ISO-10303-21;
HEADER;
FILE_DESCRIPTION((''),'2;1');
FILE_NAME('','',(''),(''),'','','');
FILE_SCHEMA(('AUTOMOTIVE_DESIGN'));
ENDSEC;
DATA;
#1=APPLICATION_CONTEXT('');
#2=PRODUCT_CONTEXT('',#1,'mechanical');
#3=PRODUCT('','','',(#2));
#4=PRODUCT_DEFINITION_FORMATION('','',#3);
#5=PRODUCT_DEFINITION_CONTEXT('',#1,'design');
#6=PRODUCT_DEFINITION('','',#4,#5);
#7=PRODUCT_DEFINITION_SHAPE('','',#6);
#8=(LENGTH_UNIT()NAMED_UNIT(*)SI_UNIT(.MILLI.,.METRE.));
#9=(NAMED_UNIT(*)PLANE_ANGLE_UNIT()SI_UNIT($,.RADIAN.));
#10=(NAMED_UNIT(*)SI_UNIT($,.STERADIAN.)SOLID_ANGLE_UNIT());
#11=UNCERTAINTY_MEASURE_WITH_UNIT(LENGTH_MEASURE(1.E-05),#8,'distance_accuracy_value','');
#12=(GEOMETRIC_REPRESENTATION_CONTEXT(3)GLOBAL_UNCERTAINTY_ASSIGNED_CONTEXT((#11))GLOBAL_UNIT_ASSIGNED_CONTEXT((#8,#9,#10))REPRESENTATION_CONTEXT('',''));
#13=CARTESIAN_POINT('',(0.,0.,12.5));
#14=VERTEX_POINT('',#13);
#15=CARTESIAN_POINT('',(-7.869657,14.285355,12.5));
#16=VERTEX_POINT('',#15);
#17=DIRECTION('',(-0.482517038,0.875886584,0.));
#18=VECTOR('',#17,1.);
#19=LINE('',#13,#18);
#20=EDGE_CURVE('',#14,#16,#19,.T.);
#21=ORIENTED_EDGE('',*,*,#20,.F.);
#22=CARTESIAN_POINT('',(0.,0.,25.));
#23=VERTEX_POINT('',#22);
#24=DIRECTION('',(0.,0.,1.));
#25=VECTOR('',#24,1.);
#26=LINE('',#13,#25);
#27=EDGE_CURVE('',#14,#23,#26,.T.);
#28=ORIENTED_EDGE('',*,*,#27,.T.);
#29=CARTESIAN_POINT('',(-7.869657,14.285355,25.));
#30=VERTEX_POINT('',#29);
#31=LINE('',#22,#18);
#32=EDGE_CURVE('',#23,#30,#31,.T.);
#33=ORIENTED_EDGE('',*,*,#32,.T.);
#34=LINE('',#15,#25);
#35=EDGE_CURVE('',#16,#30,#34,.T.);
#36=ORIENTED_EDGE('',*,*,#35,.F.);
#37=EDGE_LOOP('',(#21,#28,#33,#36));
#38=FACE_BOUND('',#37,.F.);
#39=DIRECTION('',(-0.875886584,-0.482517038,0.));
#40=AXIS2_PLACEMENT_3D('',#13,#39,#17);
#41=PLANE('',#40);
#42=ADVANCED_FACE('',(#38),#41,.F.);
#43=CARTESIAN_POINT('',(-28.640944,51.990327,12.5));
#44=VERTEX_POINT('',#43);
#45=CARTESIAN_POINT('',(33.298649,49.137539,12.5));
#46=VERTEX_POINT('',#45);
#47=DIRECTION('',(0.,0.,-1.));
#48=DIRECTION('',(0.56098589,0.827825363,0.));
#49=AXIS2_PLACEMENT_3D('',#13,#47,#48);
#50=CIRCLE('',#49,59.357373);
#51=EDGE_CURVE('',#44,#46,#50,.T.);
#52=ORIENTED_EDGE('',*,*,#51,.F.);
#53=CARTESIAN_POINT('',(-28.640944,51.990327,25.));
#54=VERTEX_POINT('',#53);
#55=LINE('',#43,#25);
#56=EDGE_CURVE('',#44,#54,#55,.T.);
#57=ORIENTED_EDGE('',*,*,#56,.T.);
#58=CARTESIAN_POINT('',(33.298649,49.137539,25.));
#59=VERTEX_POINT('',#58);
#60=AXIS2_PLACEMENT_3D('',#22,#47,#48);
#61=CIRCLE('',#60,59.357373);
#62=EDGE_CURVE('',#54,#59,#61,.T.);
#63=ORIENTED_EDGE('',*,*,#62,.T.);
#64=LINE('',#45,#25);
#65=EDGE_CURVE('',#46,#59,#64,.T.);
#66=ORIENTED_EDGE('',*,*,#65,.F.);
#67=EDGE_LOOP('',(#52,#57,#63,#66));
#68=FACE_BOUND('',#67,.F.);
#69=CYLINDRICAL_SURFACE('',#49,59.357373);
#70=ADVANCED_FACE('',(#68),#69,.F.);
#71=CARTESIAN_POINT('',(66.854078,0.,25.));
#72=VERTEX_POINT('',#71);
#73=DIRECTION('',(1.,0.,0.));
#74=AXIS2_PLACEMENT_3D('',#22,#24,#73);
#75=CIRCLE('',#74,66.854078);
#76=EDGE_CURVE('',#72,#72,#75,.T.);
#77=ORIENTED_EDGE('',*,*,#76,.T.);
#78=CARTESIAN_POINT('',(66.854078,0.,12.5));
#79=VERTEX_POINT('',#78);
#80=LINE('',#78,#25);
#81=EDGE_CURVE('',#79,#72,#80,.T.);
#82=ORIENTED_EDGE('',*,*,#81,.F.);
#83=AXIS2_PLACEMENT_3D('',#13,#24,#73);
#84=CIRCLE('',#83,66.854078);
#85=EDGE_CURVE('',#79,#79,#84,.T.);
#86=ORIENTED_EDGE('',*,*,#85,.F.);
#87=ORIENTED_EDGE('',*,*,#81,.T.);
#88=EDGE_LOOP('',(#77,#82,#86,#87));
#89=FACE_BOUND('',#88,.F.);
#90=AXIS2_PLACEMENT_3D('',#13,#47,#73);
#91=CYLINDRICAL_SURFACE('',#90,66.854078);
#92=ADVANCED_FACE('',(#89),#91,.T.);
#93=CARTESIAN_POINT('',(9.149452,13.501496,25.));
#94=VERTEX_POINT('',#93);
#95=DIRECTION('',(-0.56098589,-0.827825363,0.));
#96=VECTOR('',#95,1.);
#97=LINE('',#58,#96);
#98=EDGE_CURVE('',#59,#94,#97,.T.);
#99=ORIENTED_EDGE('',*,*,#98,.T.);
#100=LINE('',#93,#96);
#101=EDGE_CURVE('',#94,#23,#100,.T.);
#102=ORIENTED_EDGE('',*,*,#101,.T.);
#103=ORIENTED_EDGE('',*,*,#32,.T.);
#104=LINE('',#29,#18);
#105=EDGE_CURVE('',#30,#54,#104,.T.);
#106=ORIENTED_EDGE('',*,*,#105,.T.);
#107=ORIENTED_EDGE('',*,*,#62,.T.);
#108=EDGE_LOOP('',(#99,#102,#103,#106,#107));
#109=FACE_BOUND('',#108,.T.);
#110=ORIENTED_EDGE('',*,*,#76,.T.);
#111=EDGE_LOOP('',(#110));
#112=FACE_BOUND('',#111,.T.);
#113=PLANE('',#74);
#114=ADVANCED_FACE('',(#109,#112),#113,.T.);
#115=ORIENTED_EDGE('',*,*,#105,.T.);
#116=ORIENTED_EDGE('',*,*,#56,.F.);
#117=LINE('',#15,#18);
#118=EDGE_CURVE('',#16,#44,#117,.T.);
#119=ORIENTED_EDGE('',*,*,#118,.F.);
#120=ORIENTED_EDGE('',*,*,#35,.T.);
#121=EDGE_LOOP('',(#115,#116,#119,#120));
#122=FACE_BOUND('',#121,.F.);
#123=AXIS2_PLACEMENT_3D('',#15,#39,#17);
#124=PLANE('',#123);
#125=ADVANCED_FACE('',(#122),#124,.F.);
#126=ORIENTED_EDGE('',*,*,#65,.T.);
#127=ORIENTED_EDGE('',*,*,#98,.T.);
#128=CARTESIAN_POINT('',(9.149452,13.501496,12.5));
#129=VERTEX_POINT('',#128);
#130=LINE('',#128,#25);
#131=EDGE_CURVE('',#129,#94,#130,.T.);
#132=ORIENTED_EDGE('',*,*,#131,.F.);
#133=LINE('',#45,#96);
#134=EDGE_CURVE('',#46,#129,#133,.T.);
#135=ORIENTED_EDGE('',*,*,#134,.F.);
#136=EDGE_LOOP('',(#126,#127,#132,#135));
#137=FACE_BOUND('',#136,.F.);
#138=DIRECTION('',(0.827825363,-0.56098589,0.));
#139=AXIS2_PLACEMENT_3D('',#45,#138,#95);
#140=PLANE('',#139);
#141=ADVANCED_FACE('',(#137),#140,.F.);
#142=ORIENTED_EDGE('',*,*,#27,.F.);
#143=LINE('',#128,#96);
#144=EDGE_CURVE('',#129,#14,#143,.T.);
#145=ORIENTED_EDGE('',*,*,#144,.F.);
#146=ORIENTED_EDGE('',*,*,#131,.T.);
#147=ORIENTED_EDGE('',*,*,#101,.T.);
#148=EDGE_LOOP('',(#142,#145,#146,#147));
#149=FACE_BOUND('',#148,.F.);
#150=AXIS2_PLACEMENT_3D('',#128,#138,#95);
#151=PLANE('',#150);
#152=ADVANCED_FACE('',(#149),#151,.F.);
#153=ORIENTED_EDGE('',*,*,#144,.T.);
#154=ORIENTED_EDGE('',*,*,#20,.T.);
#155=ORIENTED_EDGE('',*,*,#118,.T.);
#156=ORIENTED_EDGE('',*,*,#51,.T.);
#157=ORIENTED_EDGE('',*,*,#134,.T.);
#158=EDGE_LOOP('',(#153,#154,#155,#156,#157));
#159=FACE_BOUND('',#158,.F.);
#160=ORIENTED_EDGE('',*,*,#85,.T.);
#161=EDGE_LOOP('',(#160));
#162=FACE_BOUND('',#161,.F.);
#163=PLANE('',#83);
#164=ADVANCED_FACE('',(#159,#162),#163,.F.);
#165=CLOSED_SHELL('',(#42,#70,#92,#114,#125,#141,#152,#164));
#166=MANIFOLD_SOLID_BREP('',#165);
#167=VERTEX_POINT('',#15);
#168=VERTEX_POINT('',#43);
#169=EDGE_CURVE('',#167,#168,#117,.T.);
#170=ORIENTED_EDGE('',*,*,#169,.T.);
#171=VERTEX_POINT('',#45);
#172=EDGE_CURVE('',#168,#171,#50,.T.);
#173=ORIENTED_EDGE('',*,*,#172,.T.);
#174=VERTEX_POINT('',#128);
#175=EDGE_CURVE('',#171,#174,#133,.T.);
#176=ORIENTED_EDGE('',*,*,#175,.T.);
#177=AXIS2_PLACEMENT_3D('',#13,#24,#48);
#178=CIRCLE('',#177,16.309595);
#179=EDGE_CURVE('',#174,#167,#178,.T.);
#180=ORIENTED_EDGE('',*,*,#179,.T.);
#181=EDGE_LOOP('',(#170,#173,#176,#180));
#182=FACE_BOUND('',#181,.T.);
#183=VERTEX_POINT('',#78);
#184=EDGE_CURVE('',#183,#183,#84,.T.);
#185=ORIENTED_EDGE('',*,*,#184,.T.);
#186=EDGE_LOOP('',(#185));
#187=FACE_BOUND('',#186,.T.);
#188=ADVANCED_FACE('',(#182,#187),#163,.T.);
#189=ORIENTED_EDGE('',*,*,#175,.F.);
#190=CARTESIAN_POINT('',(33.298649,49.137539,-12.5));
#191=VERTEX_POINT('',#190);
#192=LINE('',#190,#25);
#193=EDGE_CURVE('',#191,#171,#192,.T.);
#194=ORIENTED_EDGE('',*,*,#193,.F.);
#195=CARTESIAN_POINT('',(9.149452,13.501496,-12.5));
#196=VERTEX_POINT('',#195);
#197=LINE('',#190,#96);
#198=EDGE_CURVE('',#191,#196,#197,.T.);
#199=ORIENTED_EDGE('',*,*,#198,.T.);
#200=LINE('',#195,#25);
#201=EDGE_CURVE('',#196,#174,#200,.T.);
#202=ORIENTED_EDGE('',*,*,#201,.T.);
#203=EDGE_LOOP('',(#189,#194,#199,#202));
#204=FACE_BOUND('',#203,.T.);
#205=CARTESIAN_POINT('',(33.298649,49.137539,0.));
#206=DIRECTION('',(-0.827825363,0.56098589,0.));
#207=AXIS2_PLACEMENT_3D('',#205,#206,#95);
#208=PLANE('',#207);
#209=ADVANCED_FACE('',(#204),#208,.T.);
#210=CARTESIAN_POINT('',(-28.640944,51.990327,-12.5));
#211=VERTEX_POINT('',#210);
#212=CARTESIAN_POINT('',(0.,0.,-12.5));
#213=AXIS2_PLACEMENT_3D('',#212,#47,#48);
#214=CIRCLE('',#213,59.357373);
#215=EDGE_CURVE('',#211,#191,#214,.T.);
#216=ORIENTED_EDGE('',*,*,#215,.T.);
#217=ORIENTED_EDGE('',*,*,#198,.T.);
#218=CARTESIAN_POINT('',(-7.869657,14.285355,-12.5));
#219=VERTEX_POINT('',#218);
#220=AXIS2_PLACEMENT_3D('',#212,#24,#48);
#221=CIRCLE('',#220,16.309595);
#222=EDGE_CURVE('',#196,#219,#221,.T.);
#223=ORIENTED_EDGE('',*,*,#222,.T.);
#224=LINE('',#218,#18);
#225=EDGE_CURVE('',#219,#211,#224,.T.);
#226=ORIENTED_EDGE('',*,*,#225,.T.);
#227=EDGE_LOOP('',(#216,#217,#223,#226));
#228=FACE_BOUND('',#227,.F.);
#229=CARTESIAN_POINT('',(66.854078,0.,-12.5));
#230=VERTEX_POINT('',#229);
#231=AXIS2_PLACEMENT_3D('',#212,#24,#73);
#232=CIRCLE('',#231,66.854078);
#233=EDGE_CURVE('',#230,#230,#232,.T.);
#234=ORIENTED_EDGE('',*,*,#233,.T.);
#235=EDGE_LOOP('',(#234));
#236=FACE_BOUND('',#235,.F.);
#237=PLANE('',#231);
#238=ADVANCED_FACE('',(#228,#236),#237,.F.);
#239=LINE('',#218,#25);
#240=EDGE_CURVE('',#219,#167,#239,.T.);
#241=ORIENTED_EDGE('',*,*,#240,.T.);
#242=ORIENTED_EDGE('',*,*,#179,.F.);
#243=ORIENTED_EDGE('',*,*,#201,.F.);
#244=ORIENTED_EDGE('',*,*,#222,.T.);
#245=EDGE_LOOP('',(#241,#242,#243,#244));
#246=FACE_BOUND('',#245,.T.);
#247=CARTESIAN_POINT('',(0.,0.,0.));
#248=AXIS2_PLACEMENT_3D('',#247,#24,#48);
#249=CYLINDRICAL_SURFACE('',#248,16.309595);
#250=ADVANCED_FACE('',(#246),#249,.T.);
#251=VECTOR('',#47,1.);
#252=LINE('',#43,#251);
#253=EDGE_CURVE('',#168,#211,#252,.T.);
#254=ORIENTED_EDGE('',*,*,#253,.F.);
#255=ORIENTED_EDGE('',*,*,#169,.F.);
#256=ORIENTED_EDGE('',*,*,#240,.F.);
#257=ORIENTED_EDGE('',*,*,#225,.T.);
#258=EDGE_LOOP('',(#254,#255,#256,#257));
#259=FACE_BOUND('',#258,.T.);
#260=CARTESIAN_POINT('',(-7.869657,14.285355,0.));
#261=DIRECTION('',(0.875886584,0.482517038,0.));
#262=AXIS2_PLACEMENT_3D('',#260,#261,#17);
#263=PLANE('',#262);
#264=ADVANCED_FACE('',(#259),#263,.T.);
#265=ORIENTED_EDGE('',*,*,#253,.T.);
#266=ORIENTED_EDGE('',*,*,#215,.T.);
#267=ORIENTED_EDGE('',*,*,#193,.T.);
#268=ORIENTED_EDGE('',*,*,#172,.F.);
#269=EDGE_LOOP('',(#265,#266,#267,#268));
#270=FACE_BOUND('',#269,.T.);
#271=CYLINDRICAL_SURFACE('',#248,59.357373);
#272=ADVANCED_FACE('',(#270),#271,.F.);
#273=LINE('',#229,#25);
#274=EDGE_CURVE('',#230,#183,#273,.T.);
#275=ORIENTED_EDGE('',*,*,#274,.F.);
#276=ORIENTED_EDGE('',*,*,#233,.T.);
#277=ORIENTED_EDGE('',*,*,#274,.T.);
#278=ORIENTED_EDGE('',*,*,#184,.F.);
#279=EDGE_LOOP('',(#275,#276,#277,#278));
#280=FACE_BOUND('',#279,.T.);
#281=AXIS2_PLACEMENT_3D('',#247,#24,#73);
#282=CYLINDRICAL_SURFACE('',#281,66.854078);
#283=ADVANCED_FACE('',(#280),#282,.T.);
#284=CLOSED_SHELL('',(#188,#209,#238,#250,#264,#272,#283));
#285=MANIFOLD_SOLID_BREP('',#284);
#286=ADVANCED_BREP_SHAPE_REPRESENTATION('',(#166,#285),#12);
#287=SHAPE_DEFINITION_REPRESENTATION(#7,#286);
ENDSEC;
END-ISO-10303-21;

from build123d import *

# Parameters (mm, degrees)
F0_R     = 66.8540784476
F1_DEPTH = 12.5
F2_START = 12.5
F2_DEPTH = 12.5


with BuildPart() as f1:
    # F0 (on Top) → F1 (new body, symmetric)
    with BuildSketch(Plane.XY):
        Circle(F0_R)
        with BuildLine():
            ThreePointArc((33.2986488476, 49.1375390285), (52.4395751536, 27.8098672158), (59.3573732307, 0))
            ThreePointArc((59.3573732307, 0), (-30.1930998763, -51.1045445799), (-28.6409438971, 51.9903268843))
            ThreePointArc((-28.6409438971, 51.9903268843), (2.730962008, 59.294515795), (33.2986488476, 49.1375390285))
        make_face(mode=Mode.SUBTRACT)
        with BuildLine():
            ThreePointArc((-28.6409438971, 51.9903268843), (-30.1930998763, -51.1045445799), (59.3573732307, 0))
            ThreePointArc((59.3573732307, 0), (52.4395751536, 27.8098672158), (33.2986488476, 49.1375390285))
            Line((33.2986488476, 49.1375390285), (9.1494524974, 13.5014961489))
            ThreePointArc((9.1494524974, 13.5014961489), (14.4087949047, 7.6413028112), (16.3095946994, 0))
            ThreePointArc((16.3095946994, 0), (-8.296142415, -14.0419692454), (-7.8696573205, 14.2853551905))
            Line((-7.8696573205, 14.2853551905), (-28.6409438971, 51.9903268843))
        make_face()
        with BuildLine():
            ThreePointArc((16.3095946994, 0), (14.4087949047, 7.6413028112), (9.1494524974, 13.5014961489))
            Line((9.1494524974, 13.5014961489), (0, 0))
            Line((0, 0), (-7.8696573205, 14.2853551905))
            ThreePointArc((-7.8696573205, 14.2853551905), (-8.296142415, -14.0419692454), (16.3095946994, 0))
        make_face()
        with BuildLine():
            Line((0, 0), (9.1494524974, 13.5014961489))
            ThreePointArc((9.1494524974, 13.5014961489), (0.7503850165, 16.2923233944), (-7.8696573205, 14.2853551905))
            Line((-7.8696573205, 14.2853551905), (0, 0))
        make_face()
    extrude(amount=F1_DEPTH, both=True)


with BuildPart() as f2:
    # F0 (on Top) → F2 (new body)
    with BuildSketch(Plane.XY.offset(F2_START)):
        Circle(F0_R)
        with BuildLine():
            ThreePointArc((33.2986488476, 49.1375390285), (52.4395751536, 27.8098672158), (59.3573732307, 0))
            ThreePointArc((59.3573732307, 0), (-30.1930998763, -51.1045445799), (-28.6409438971, 51.9903268843))
            ThreePointArc((-28.6409438971, 51.9903268843), (2.730962008, 59.294515795), (33.2986488476, 49.1375390285))
        make_face(mode=Mode.SUBTRACT)
        with BuildLine():
            ThreePointArc((-28.6409438971, 51.9903268843), (-30.1930998763, -51.1045445799), (59.3573732307, 0))
            ThreePointArc((59.3573732307, 0), (52.4395751536, 27.8098672158), (33.2986488476, 49.1375390285))
            Line((33.2986488476, 49.1375390285), (9.1494524974, 13.5014961489))
            ThreePointArc((9.1494524974, 13.5014961489), (14.4087949047, 7.6413028112), (16.3095946994, 0))
            ThreePointArc((16.3095946994, 0), (-8.296142415, -14.0419692454), (-7.8696573205, 14.2853551905))
            Line((-7.8696573205, 14.2853551905), (-28.6409438971, 51.9903268843))
        make_face()
        with BuildLine():
            ThreePointArc((16.3095946994, 0), (14.4087949047, 7.6413028112), (9.1494524974, 13.5014961489))
            Line((9.1494524974, 13.5014961489), (0, 0))
            Line((0, 0), (-7.8696573205, 14.2853551905))
            ThreePointArc((-7.8696573205, 14.2853551905), (-8.296142415, -14.0419692454), (16.3095946994, 0))
        make_face()
    extrude(amount=F2_DEPTH)


solid = Compound([f1.part, f2.part])
